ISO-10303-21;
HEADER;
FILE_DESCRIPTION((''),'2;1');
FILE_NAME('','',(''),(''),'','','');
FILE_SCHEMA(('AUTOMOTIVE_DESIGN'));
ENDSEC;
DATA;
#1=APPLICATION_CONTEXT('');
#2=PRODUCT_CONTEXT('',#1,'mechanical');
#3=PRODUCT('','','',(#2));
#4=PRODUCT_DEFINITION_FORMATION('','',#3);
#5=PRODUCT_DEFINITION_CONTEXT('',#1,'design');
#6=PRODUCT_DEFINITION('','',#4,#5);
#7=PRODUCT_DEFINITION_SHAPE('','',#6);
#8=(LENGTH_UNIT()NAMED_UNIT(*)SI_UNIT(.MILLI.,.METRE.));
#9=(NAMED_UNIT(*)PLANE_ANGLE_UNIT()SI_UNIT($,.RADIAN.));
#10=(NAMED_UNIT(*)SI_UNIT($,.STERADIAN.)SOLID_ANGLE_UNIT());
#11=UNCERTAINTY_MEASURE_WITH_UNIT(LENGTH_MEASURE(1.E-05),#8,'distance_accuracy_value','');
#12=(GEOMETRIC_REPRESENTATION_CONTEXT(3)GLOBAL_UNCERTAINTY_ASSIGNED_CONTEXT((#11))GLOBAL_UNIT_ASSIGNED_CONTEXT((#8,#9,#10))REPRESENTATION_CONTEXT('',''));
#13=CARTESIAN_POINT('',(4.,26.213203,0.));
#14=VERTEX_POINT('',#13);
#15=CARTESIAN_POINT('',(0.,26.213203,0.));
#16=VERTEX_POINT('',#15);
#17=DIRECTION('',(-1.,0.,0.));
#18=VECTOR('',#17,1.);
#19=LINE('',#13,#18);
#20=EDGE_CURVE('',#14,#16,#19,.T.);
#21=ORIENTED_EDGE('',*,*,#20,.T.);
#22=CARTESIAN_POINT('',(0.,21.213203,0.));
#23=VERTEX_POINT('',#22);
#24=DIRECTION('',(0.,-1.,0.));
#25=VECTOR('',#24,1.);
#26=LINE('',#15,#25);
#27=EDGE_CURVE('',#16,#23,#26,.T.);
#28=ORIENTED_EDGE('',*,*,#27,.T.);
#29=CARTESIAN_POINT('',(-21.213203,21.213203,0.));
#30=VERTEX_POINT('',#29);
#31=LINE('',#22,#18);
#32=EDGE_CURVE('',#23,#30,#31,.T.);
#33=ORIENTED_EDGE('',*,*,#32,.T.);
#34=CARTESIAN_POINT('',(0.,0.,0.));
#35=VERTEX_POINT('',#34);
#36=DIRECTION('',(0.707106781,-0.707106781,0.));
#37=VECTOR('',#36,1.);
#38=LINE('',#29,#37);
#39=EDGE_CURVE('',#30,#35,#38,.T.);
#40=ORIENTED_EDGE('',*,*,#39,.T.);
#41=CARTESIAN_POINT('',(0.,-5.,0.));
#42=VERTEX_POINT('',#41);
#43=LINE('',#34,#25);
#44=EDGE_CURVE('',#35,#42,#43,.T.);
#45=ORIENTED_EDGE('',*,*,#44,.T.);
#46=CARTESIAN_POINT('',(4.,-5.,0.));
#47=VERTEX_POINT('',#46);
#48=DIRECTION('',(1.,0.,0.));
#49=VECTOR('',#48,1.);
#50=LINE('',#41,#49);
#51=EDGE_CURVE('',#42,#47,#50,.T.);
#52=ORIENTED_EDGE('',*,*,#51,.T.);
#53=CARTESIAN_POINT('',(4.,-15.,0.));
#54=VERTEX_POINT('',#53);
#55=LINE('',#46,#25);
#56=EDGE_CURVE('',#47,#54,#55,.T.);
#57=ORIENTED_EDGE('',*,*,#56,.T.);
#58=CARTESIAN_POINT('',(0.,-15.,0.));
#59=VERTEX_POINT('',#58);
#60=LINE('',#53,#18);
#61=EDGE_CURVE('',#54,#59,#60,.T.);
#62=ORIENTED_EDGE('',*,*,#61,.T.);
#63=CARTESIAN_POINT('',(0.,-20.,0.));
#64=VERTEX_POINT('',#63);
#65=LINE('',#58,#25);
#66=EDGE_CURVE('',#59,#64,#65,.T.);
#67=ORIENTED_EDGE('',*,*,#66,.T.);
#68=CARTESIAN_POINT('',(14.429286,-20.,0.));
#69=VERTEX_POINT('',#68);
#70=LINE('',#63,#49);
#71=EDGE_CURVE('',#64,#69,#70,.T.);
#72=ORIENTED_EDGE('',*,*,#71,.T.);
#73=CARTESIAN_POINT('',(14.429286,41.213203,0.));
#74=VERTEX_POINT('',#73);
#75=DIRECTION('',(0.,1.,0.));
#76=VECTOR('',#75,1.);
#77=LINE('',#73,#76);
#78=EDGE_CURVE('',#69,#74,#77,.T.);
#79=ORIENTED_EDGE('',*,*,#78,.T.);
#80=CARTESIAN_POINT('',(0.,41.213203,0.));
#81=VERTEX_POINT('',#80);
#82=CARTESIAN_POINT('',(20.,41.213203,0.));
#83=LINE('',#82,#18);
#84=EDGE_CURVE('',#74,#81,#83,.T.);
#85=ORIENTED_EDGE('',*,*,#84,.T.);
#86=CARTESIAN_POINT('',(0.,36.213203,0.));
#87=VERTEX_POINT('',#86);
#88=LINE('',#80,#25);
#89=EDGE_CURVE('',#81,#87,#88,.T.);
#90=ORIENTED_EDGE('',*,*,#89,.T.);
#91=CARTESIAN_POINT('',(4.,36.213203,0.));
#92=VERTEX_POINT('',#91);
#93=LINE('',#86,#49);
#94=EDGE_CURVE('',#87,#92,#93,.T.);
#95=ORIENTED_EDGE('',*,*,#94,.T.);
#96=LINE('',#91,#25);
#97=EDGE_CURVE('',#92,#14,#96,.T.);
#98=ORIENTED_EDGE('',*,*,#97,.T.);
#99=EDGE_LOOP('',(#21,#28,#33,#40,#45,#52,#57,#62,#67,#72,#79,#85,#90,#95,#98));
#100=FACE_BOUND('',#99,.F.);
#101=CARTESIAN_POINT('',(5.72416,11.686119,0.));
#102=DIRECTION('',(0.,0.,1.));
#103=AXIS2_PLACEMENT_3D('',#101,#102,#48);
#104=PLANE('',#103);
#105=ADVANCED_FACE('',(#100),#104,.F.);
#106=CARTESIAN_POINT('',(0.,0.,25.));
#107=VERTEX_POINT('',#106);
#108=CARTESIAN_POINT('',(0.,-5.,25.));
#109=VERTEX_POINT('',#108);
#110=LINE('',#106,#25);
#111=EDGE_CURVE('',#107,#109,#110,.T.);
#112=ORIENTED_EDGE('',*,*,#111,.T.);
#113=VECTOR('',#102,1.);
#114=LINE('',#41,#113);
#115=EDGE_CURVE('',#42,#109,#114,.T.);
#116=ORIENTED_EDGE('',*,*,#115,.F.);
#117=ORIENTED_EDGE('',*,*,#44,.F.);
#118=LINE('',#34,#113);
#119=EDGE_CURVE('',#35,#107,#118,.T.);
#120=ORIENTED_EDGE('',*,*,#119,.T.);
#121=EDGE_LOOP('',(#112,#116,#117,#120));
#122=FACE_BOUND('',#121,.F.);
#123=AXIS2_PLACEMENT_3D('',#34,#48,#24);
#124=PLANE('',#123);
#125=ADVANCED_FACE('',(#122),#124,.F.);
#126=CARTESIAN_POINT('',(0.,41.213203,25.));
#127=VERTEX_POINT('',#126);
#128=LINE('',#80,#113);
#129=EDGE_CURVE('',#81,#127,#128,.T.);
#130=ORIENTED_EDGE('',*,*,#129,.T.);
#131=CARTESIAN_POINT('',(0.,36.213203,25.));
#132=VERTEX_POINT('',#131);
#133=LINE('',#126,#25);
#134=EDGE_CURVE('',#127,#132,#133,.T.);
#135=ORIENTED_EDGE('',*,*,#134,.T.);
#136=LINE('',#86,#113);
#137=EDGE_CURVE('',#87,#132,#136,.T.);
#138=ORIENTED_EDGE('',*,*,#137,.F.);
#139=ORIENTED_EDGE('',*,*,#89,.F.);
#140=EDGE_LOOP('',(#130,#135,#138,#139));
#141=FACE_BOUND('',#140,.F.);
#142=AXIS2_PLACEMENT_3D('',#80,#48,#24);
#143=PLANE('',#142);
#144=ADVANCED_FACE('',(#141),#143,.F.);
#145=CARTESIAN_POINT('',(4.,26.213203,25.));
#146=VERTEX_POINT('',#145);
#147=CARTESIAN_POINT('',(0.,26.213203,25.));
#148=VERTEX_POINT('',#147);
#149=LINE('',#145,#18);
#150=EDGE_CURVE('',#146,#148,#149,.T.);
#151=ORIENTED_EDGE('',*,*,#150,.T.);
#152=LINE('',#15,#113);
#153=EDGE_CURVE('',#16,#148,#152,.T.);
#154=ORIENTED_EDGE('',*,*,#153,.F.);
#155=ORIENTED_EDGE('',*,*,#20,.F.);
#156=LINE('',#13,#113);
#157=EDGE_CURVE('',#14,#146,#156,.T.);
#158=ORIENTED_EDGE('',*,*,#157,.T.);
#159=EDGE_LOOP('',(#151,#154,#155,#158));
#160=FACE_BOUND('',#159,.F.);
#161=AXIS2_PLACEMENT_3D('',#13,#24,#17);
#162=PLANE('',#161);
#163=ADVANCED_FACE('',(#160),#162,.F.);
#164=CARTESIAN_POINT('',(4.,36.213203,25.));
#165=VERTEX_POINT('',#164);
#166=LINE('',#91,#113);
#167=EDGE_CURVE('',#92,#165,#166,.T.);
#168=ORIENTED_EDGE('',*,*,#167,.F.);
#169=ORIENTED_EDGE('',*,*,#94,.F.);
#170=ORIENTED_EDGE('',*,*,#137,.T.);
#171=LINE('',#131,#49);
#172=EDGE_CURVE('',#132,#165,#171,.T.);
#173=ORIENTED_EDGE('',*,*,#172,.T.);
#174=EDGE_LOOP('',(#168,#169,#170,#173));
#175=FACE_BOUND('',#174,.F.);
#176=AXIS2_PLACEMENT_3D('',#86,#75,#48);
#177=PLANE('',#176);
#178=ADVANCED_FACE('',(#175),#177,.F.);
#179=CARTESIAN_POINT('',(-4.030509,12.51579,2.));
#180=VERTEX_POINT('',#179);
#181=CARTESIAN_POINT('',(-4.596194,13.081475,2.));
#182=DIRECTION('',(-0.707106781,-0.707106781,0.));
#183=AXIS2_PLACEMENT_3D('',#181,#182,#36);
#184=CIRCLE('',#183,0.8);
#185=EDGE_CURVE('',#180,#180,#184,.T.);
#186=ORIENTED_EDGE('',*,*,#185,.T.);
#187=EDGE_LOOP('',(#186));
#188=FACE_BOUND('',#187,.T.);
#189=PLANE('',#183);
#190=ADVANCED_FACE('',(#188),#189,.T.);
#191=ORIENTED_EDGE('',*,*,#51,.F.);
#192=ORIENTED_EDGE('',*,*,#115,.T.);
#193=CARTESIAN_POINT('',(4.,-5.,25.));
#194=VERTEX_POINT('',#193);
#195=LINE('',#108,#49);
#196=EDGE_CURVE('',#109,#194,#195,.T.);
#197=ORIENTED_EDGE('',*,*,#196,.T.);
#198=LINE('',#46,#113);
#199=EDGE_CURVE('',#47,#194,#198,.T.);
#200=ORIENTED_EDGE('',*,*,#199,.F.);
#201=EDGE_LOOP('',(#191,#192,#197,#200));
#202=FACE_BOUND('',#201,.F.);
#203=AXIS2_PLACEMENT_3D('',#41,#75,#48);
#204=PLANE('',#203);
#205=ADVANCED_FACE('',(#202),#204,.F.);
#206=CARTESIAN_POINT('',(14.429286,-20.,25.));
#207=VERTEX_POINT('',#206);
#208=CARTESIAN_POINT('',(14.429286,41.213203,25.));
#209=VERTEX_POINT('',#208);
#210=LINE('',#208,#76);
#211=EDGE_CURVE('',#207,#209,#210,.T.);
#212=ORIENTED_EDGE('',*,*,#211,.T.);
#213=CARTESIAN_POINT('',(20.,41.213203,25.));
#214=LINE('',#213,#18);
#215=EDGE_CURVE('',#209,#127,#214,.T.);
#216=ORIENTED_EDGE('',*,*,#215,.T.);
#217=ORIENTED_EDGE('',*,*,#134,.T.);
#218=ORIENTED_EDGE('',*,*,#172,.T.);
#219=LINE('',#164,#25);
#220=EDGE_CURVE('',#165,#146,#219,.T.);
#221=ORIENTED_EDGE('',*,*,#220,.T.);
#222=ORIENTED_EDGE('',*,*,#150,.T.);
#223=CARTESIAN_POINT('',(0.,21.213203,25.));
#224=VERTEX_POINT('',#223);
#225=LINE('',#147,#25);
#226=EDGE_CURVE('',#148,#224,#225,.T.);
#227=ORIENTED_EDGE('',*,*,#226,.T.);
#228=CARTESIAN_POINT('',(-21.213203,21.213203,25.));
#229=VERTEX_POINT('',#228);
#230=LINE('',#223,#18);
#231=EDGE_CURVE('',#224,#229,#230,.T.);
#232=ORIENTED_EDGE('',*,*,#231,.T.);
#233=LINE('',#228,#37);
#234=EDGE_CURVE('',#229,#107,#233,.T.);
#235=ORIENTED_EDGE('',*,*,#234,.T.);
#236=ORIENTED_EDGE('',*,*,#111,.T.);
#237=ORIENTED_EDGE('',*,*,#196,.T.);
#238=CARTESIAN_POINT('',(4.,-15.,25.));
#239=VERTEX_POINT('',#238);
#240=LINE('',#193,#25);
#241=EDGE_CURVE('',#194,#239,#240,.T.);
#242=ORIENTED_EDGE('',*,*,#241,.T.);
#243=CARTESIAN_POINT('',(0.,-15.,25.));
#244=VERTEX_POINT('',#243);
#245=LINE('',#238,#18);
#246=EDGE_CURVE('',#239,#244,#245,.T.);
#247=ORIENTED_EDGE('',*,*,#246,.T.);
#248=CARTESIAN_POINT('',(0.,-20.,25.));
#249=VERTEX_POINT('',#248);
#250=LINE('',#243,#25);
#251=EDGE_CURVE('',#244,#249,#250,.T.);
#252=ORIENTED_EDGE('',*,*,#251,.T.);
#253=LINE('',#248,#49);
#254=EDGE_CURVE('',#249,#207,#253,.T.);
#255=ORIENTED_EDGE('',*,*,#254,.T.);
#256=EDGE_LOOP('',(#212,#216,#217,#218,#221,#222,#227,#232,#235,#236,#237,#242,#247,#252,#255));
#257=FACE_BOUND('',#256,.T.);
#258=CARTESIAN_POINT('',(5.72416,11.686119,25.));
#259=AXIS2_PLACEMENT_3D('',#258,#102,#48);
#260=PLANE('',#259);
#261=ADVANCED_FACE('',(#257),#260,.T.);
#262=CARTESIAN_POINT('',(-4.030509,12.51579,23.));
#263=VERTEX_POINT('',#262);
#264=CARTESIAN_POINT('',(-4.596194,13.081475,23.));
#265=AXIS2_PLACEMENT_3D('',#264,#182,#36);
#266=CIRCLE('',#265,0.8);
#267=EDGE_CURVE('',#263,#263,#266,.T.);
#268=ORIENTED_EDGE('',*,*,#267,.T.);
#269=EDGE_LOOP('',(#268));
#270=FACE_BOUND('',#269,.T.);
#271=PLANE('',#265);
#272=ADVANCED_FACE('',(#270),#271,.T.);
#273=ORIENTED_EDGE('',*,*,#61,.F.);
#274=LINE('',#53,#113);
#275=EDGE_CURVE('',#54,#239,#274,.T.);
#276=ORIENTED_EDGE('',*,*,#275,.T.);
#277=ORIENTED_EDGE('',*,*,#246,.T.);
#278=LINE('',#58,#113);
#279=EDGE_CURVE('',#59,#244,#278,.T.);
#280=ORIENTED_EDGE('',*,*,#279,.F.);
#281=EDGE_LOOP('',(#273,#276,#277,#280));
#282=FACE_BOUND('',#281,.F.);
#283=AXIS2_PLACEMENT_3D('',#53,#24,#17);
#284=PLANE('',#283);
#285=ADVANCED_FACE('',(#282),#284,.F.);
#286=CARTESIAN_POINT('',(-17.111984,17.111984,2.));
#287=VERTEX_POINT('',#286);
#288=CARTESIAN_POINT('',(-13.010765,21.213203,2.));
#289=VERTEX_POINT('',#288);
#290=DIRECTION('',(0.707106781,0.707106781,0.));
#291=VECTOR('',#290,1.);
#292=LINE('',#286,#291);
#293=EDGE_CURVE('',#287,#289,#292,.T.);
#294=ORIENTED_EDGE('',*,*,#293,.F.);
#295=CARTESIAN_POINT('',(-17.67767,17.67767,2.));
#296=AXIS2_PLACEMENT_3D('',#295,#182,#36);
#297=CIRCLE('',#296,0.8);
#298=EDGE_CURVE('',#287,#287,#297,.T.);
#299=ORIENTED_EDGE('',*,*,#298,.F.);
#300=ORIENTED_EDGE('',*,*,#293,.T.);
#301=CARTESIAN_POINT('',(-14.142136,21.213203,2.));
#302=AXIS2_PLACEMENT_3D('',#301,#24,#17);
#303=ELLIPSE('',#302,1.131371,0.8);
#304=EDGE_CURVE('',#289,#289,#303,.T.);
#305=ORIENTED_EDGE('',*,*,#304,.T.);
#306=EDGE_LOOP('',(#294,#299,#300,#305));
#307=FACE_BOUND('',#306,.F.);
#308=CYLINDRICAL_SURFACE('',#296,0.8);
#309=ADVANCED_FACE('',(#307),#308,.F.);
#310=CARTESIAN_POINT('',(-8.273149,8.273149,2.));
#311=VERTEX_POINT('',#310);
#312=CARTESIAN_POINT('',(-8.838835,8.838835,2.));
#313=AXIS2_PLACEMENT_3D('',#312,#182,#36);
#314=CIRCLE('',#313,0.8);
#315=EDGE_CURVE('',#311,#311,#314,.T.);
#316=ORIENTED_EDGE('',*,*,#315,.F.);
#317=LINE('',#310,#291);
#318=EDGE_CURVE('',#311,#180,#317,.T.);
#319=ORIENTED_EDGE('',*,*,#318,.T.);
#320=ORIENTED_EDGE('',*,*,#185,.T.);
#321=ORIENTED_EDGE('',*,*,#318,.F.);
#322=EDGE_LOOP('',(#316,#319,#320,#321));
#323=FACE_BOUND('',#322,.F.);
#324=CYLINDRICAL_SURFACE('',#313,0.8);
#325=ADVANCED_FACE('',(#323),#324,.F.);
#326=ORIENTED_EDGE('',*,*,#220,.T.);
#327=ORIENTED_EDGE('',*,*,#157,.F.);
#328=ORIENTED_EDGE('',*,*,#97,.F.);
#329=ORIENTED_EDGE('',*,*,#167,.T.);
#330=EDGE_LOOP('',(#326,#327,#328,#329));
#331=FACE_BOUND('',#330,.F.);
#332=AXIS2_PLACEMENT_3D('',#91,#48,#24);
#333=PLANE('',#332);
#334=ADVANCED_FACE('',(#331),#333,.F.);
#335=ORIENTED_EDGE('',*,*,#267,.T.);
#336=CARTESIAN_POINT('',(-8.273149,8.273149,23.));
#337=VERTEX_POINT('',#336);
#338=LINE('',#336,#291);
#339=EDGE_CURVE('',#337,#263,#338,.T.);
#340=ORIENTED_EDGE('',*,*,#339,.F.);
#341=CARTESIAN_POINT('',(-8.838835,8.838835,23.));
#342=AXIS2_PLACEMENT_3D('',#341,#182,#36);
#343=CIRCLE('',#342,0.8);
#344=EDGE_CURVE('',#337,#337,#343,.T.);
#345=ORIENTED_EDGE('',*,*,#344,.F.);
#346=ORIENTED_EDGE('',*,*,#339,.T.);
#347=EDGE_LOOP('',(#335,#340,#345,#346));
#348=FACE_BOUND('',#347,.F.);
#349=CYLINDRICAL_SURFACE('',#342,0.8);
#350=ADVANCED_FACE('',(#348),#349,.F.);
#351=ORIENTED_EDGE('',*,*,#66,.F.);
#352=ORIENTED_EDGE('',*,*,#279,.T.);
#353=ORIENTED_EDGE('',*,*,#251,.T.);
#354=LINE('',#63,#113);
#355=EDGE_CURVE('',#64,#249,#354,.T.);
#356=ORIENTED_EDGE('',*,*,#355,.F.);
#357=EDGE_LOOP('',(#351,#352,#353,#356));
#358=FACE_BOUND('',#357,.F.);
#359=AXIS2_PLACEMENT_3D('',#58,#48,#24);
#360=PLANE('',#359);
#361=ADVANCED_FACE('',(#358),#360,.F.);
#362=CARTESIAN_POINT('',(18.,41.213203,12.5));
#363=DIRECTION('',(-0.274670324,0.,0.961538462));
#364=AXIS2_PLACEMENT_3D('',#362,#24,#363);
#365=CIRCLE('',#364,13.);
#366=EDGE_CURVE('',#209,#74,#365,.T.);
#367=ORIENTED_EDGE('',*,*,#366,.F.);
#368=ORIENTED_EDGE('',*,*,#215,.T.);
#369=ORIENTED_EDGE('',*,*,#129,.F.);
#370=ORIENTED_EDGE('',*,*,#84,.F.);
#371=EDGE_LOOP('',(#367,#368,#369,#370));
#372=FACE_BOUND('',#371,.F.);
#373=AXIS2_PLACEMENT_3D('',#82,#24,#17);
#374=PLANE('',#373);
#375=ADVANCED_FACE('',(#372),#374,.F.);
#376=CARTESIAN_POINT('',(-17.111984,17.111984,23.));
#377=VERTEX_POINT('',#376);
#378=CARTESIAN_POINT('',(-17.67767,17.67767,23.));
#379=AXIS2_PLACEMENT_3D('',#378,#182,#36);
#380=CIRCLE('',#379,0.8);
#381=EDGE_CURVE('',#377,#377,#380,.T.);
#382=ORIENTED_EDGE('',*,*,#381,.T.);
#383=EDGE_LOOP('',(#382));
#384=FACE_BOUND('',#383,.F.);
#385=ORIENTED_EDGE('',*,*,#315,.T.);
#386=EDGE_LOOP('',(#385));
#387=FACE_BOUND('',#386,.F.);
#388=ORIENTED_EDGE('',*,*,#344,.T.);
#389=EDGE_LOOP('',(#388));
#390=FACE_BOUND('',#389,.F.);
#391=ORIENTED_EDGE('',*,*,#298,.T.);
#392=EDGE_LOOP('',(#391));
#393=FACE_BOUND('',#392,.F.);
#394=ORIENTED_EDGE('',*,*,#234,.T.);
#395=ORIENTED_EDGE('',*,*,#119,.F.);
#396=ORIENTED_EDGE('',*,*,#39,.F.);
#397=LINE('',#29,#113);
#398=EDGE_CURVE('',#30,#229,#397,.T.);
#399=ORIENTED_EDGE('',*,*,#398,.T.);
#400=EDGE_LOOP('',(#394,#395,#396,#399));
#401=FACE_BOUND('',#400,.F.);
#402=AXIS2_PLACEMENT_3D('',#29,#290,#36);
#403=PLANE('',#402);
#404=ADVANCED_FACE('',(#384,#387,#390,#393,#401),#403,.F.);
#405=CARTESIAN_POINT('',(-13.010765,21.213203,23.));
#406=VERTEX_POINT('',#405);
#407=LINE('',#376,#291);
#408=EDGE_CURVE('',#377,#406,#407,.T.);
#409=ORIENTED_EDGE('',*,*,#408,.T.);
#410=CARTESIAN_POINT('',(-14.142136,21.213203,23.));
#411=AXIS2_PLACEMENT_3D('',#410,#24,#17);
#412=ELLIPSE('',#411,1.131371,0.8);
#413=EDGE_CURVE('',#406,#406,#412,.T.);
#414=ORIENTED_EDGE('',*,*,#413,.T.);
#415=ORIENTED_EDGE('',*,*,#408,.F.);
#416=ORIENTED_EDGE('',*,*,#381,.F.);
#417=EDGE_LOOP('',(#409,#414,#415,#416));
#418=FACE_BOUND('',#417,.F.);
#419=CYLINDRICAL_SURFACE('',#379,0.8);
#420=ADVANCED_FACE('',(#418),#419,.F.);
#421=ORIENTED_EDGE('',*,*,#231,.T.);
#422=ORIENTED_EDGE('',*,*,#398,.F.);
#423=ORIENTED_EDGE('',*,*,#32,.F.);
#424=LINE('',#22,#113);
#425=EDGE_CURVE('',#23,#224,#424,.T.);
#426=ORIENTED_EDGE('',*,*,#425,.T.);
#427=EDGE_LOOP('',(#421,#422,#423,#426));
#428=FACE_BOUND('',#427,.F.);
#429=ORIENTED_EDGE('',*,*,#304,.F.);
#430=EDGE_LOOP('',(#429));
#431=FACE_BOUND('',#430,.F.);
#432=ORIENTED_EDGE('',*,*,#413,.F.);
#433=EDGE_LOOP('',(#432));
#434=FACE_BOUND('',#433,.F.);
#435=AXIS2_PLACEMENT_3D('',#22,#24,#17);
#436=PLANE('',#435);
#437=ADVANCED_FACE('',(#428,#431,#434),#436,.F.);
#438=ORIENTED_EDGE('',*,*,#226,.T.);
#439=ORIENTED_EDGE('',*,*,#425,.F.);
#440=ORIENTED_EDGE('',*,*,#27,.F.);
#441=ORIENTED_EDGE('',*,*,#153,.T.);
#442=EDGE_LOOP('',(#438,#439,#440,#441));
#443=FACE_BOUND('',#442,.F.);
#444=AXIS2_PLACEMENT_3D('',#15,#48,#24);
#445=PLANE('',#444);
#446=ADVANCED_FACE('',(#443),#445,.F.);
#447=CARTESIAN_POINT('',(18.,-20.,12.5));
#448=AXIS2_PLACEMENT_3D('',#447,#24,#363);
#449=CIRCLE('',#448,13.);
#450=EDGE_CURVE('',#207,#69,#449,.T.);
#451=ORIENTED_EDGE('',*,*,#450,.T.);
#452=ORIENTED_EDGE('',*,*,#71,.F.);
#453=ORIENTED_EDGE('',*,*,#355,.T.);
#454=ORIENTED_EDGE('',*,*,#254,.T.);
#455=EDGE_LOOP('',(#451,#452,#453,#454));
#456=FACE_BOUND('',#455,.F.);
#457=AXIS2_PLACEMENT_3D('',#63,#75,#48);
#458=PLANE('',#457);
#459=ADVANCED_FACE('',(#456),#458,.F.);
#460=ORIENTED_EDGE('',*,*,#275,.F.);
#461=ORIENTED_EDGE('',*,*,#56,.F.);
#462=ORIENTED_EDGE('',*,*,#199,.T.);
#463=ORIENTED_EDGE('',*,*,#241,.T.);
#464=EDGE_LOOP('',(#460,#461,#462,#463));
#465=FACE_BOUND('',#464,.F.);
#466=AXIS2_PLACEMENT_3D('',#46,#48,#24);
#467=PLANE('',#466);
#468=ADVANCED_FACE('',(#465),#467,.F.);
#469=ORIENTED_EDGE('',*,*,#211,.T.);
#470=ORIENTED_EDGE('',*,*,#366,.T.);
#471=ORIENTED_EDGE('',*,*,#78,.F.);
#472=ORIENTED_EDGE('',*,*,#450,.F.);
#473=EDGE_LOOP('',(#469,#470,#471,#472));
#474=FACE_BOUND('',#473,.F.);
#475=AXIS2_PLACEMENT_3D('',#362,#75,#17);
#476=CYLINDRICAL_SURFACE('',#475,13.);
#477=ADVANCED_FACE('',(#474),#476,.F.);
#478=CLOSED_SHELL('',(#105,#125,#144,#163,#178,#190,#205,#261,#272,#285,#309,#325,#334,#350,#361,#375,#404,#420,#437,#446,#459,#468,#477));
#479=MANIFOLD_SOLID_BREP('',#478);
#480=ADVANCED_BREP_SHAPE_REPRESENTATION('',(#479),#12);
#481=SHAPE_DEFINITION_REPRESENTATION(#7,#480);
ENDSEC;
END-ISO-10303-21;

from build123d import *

# Parameters (mm, degrees)
PAD_DEPTH       = 25
SKETCH001_R     = 13
POCKET_DEPTH    = 61.214203
SKETCH002_R     = 0.8
POCKET001_DEPTH = 6


with BuildPart() as part:
    # Sketch → Pad (new body)
    with BuildSketch(Plane.XY):
        Polygon((0, 21.213203), (-21.213203, 21.213203), (0, 0), (0, -5), (4, -5), (4, -15), (0, -15), (0, -20), (20, -20), (20, 41.213203), (0, 41.213203), (0, 36.213203), (4, 36.213203), (4, 26.213203), (0, 26.213203), align=None)
    extrude(amount=PAD_DEPTH)

    # Sketch001 (on Face1 of Pad) → Pocket (cut, through all)
    with BuildSketch(Plane(origin=(0, 41.213203, 0), x_dir=(-1, 0, 0), z_dir=(0, 1, 0))):
        with Locations((-18, 12.5)):
            Circle(SKETCH001_R)
    extrude(amount=-POCKET_DEPTH, mode=Mode.SUBTRACT)

    # Sketch002 (on Face13 of Pocket) → Pocket001 (cut)
    with BuildSketch(Plane(origin=(0, 0, 0), x_dir=(0.707107, -0.707107, 0), z_dir=(-0.707107, -0.707107, 0))):
        with Locations((-25, 23)):
            Circle(SKETCH002_R)
        with Locations((-25, 2)):
            Circle(SKETCH002_R)
        with Locations((-12.5, 23)):
            Circle(SKETCH002_R)
        with Locations((-12.5, 2)):
            Circle(SKETCH002_R)
    extrude(amount=-POCKET001_DEPTH, mode=Mode.SUBTRACT)


solid = part.part
